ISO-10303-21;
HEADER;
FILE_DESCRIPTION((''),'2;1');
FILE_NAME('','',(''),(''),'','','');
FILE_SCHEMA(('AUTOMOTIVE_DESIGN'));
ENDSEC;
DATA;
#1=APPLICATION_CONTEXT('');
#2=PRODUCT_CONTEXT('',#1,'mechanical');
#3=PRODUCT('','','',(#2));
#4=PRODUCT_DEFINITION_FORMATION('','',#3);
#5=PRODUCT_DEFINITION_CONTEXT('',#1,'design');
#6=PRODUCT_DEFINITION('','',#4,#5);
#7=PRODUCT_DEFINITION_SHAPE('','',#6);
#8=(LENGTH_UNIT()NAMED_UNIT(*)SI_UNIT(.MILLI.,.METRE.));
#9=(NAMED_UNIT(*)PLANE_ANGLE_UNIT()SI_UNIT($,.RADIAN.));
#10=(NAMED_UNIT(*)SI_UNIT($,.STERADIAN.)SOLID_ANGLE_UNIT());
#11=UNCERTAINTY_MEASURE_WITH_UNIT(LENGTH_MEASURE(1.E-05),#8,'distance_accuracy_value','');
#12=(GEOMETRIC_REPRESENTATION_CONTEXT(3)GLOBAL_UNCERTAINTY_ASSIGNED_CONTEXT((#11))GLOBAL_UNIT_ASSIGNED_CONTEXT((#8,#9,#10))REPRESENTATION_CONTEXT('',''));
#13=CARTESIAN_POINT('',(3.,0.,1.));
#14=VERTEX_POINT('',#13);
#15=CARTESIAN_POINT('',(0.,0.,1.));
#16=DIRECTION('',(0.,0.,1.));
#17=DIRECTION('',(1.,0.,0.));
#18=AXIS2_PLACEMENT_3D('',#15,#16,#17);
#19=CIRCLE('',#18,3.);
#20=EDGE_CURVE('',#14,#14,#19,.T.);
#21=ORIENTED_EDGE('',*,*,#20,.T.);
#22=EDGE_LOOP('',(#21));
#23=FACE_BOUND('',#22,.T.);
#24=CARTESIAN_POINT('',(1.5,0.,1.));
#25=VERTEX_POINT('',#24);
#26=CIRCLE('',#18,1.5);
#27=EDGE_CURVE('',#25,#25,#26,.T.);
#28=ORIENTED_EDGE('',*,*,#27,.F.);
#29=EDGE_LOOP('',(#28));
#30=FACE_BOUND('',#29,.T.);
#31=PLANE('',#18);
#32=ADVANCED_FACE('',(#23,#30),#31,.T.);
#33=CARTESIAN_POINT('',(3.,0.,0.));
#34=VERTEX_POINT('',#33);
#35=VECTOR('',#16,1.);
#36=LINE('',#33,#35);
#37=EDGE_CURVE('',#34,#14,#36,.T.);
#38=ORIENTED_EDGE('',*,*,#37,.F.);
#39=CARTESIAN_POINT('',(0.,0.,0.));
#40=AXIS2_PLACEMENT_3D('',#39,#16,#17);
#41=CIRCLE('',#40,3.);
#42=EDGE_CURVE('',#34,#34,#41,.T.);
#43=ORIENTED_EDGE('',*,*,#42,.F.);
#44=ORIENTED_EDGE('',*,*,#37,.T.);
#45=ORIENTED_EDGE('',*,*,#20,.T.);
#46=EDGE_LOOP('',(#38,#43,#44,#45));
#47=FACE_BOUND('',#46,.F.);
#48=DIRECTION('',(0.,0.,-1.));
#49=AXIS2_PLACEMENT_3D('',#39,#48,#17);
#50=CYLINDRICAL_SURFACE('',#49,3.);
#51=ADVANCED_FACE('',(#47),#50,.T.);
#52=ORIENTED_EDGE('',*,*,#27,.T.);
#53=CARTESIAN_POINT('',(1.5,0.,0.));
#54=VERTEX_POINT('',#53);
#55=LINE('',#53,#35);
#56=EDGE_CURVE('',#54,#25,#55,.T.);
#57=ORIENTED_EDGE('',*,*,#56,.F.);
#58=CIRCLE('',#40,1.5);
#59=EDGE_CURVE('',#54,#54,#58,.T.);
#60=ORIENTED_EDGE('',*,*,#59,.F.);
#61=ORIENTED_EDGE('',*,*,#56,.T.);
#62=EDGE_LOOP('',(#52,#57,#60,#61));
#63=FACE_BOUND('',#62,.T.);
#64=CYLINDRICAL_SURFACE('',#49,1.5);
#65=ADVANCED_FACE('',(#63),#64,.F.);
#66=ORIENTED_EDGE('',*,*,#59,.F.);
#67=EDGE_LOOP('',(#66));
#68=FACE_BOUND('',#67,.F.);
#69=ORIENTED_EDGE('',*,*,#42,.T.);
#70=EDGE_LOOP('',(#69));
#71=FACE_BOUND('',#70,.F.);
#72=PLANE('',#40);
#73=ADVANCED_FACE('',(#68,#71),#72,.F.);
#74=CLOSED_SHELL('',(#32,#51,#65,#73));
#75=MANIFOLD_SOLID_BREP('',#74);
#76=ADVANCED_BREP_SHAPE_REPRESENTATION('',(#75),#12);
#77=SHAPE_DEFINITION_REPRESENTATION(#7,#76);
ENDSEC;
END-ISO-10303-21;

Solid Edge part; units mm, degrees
sketch "Sketch1" plane through (0, 0, 0) normal (0, 0, 1) x (1, 0, 0)
  circle A0 centre (0, 0) radius 3
  circle A1 centre (0, 0) radius 1.5
  dimension "D1" = 3
  dimension "D2" = 6
extrude "Protrusion1" add sketch "Sketch1" along normal blind 1
